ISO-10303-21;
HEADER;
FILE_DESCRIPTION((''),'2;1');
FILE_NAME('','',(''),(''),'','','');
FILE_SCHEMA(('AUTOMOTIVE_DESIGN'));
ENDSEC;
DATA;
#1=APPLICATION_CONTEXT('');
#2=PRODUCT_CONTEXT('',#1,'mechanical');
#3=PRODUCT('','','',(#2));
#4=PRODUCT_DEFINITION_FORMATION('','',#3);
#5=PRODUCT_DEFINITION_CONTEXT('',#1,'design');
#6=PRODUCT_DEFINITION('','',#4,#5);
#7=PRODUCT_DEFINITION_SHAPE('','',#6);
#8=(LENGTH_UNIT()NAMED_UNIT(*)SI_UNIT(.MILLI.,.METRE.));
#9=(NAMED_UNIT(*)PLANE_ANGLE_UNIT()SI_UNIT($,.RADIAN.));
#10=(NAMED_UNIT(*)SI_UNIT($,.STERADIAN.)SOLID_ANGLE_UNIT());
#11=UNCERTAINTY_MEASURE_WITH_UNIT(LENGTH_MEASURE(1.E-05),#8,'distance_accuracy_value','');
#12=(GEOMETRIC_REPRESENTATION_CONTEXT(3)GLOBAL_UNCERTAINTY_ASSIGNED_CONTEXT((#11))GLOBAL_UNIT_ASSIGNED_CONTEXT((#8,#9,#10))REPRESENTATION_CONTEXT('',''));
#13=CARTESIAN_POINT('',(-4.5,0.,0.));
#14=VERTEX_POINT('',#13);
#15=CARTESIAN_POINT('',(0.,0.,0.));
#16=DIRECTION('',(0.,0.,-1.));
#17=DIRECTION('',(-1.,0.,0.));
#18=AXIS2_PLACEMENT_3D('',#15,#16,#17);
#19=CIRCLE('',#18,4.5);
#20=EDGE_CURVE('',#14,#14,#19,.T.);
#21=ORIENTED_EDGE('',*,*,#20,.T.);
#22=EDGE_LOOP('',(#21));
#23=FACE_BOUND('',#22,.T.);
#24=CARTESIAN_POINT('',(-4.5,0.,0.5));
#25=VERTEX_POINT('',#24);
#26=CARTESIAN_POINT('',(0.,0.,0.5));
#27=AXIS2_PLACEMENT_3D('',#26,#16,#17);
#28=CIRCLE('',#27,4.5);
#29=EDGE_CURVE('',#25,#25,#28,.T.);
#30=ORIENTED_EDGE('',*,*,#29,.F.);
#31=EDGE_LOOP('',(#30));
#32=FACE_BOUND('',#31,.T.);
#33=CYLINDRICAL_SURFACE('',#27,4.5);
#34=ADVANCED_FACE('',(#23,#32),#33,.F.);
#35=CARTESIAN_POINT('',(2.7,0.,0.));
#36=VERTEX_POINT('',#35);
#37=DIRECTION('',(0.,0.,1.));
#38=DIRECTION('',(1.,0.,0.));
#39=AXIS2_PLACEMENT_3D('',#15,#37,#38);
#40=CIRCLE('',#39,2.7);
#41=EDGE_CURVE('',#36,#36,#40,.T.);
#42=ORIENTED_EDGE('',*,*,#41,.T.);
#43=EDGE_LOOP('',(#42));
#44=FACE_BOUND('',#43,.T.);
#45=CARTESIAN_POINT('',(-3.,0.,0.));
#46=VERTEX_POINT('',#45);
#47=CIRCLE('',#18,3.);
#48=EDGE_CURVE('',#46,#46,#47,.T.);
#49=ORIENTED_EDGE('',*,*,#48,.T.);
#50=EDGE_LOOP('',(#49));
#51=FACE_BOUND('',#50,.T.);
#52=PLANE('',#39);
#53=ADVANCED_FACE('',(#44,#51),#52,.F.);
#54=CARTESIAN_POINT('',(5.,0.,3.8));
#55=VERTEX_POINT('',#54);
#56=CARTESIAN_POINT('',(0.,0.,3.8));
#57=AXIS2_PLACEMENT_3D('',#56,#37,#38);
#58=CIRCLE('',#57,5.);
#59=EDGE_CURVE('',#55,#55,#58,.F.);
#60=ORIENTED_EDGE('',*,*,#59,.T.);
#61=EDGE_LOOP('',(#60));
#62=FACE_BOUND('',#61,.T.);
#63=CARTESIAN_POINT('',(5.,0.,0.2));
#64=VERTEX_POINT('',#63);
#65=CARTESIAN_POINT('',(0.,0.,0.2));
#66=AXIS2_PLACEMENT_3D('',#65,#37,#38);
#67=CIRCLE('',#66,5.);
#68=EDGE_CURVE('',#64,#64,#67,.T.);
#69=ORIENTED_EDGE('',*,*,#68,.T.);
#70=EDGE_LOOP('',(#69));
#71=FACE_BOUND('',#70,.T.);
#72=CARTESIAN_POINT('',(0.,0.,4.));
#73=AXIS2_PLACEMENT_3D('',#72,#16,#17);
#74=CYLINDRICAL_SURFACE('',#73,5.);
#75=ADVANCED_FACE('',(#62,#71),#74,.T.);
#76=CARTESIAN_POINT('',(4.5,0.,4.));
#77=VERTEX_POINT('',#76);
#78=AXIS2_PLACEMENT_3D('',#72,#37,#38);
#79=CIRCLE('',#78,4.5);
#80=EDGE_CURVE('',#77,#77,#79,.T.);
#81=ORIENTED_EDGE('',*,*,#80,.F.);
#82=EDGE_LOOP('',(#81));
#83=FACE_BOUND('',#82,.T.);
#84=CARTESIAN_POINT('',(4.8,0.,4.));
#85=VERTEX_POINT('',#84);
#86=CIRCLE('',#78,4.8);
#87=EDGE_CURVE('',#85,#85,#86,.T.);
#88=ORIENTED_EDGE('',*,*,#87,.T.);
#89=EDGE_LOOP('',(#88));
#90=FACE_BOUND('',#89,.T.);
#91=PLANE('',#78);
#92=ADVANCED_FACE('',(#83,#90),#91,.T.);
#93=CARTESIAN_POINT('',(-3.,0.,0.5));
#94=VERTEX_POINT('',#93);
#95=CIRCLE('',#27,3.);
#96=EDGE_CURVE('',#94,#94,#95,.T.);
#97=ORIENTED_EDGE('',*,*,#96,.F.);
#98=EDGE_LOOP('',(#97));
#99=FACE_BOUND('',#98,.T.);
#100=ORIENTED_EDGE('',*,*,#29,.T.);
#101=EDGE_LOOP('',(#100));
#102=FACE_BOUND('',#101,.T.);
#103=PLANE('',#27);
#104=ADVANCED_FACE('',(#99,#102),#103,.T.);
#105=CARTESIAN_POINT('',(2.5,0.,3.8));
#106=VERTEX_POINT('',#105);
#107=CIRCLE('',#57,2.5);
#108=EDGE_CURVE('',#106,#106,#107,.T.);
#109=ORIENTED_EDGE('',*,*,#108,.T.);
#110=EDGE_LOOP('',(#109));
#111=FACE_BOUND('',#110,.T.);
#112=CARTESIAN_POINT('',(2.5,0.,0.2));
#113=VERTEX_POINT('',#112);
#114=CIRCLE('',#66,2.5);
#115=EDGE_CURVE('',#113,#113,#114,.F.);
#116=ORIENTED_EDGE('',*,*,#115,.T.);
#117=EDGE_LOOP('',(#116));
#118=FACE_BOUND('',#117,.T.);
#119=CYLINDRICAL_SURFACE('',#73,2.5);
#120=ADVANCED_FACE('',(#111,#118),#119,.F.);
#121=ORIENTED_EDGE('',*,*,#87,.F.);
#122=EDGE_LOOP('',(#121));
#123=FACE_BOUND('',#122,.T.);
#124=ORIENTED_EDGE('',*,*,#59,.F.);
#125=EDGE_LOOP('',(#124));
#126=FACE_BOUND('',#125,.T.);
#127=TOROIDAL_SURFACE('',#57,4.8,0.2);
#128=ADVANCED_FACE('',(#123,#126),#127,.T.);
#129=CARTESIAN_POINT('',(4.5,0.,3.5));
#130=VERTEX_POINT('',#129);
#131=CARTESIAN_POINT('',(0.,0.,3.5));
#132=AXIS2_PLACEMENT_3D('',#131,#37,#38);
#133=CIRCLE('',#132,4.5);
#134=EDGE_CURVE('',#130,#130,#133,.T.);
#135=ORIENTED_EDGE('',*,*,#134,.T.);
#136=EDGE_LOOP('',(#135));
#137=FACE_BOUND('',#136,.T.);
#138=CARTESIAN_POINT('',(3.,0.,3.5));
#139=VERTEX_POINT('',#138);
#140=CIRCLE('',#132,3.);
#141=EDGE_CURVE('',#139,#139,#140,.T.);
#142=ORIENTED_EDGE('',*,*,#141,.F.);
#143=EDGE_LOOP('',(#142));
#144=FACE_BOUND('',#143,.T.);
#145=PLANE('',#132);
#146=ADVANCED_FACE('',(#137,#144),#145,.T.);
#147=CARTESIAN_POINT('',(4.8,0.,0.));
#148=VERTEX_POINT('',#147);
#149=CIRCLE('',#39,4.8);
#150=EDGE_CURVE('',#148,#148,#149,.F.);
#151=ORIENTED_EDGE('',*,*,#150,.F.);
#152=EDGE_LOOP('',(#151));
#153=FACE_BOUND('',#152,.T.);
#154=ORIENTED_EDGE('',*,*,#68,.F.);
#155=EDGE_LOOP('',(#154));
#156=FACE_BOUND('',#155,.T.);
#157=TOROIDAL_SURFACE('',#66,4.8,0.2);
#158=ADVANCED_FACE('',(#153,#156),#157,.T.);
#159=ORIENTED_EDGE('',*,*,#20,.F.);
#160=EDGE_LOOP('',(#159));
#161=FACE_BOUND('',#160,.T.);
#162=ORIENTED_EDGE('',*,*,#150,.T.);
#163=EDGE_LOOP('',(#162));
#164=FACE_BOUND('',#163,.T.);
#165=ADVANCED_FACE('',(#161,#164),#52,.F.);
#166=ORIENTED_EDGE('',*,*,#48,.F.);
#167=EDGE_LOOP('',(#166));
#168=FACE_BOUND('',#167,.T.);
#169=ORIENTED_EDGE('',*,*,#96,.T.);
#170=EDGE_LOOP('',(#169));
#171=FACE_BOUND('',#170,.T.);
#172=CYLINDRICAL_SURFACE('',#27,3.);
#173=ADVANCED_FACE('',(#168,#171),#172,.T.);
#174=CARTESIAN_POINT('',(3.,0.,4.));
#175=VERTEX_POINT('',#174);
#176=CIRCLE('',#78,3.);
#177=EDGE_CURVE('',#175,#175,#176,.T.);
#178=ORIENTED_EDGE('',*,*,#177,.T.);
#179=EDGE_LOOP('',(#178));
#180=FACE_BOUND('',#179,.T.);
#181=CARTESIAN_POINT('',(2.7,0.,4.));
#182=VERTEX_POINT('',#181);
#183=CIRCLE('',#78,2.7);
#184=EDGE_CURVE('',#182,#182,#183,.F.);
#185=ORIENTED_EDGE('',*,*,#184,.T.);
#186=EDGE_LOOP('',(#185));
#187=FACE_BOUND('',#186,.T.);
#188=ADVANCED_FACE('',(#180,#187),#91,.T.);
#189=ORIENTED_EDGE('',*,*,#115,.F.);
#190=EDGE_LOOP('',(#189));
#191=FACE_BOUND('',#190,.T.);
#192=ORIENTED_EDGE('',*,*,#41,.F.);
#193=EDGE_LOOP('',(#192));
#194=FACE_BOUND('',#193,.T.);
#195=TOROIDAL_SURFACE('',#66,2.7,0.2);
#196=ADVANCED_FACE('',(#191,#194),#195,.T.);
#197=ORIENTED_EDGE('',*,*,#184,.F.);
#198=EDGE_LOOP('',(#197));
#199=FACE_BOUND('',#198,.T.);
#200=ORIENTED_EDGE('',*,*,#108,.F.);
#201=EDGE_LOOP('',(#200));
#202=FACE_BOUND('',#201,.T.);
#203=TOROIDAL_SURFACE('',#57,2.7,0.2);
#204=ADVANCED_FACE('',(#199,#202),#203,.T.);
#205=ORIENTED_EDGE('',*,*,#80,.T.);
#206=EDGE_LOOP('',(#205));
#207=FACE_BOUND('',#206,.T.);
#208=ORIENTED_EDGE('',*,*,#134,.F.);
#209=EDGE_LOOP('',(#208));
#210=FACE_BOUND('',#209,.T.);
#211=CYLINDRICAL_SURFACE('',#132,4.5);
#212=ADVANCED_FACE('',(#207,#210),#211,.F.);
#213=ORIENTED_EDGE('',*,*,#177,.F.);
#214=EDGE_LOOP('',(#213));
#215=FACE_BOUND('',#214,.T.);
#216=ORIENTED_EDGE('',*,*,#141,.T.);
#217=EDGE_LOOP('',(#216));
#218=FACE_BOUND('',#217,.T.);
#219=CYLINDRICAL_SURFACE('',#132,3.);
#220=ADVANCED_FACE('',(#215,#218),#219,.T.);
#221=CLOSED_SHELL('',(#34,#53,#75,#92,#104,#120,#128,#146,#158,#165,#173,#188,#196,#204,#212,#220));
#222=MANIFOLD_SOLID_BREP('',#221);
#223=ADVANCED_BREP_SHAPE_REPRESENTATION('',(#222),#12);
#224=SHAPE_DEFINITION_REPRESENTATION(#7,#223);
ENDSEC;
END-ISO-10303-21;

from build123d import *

# Parameters (mm, degrees)
SKIZZE1_R                       = 5
SKIZZE1_R_2                     = 2.5
AUFSATZ_LINEAR_AUSTRAGEN1_DEPTH = 4
VERRUNDUNG1_R                   = 0.2
SKIZZE2_R                       = 4.5
SKIZZE2_R_2                     = 3
SCHNITT_LINEAR_AUSTRAGEN1_DEPTH = 0.5
SCHNITT_LINEAR_START            = -0.5
SKIZZE3_R                       = 4.5
SKIZZE3_R_2                     = 3
SCHNITT_LINEAR_AUSTRAGEN2_DEPTH = 0.5


with BuildPart() as part:
    # Skizze1 → Aufsatz-Linear austragen1 (new body)
    with BuildSketch(Plane.XY):
        Circle(SKIZZE1_R)
        Circle(SKIZZE1_R_2, mode=Mode.SUBTRACT)
    extrude(amount=AUFSATZ_LINEAR_AUSTRAGEN1_DEPTH)

    # Verrundung1
    verrundung1_edges = [part.edges().sort_by_distance(p)[0] for p in [
        (-5, 0, 0),
        (-5, 0, 4),
        (-2.5, 0, 0),
        (-2.5, 0, 4),
    ]]
    fillet(verrundung1_edges, radius=VERRUNDUNG1_R)

    # Skizze2 → Schnitt-Linear austragen1 (cut)
    with BuildSketch(Plane(origin=(0, 0, 0), x_dir=(-1, 0, 0), z_dir=(0, 0, -1))):
        Circle(SKIZZE2_R)
        Circle(SKIZZE2_R_2, mode=Mode.SUBTRACT)
    extrude(amount=-SCHNITT_LINEAR_AUSTRAGEN1_DEPTH, mode=Mode.SUBTRACT)

    # Skizze3 → Schnitt-Linear austragen2 (cut)
    with BuildSketch(Plane.XY.offset(4).offset(SCHNITT_LINEAR_START)):
        with Locations(Location((0, 0, 0), (0, 0, 180))):
            Circle(SKIZZE3_R)
        with Locations(Location((0, 0, 0), (0, 0, 180))):
            Circle(SKIZZE3_R_2, mode=Mode.SUBTRACT)
    extrude(amount=SCHNITT_LINEAR_AUSTRAGEN2_DEPTH, mode=Mode.SUBTRACT)


solid = part.part
